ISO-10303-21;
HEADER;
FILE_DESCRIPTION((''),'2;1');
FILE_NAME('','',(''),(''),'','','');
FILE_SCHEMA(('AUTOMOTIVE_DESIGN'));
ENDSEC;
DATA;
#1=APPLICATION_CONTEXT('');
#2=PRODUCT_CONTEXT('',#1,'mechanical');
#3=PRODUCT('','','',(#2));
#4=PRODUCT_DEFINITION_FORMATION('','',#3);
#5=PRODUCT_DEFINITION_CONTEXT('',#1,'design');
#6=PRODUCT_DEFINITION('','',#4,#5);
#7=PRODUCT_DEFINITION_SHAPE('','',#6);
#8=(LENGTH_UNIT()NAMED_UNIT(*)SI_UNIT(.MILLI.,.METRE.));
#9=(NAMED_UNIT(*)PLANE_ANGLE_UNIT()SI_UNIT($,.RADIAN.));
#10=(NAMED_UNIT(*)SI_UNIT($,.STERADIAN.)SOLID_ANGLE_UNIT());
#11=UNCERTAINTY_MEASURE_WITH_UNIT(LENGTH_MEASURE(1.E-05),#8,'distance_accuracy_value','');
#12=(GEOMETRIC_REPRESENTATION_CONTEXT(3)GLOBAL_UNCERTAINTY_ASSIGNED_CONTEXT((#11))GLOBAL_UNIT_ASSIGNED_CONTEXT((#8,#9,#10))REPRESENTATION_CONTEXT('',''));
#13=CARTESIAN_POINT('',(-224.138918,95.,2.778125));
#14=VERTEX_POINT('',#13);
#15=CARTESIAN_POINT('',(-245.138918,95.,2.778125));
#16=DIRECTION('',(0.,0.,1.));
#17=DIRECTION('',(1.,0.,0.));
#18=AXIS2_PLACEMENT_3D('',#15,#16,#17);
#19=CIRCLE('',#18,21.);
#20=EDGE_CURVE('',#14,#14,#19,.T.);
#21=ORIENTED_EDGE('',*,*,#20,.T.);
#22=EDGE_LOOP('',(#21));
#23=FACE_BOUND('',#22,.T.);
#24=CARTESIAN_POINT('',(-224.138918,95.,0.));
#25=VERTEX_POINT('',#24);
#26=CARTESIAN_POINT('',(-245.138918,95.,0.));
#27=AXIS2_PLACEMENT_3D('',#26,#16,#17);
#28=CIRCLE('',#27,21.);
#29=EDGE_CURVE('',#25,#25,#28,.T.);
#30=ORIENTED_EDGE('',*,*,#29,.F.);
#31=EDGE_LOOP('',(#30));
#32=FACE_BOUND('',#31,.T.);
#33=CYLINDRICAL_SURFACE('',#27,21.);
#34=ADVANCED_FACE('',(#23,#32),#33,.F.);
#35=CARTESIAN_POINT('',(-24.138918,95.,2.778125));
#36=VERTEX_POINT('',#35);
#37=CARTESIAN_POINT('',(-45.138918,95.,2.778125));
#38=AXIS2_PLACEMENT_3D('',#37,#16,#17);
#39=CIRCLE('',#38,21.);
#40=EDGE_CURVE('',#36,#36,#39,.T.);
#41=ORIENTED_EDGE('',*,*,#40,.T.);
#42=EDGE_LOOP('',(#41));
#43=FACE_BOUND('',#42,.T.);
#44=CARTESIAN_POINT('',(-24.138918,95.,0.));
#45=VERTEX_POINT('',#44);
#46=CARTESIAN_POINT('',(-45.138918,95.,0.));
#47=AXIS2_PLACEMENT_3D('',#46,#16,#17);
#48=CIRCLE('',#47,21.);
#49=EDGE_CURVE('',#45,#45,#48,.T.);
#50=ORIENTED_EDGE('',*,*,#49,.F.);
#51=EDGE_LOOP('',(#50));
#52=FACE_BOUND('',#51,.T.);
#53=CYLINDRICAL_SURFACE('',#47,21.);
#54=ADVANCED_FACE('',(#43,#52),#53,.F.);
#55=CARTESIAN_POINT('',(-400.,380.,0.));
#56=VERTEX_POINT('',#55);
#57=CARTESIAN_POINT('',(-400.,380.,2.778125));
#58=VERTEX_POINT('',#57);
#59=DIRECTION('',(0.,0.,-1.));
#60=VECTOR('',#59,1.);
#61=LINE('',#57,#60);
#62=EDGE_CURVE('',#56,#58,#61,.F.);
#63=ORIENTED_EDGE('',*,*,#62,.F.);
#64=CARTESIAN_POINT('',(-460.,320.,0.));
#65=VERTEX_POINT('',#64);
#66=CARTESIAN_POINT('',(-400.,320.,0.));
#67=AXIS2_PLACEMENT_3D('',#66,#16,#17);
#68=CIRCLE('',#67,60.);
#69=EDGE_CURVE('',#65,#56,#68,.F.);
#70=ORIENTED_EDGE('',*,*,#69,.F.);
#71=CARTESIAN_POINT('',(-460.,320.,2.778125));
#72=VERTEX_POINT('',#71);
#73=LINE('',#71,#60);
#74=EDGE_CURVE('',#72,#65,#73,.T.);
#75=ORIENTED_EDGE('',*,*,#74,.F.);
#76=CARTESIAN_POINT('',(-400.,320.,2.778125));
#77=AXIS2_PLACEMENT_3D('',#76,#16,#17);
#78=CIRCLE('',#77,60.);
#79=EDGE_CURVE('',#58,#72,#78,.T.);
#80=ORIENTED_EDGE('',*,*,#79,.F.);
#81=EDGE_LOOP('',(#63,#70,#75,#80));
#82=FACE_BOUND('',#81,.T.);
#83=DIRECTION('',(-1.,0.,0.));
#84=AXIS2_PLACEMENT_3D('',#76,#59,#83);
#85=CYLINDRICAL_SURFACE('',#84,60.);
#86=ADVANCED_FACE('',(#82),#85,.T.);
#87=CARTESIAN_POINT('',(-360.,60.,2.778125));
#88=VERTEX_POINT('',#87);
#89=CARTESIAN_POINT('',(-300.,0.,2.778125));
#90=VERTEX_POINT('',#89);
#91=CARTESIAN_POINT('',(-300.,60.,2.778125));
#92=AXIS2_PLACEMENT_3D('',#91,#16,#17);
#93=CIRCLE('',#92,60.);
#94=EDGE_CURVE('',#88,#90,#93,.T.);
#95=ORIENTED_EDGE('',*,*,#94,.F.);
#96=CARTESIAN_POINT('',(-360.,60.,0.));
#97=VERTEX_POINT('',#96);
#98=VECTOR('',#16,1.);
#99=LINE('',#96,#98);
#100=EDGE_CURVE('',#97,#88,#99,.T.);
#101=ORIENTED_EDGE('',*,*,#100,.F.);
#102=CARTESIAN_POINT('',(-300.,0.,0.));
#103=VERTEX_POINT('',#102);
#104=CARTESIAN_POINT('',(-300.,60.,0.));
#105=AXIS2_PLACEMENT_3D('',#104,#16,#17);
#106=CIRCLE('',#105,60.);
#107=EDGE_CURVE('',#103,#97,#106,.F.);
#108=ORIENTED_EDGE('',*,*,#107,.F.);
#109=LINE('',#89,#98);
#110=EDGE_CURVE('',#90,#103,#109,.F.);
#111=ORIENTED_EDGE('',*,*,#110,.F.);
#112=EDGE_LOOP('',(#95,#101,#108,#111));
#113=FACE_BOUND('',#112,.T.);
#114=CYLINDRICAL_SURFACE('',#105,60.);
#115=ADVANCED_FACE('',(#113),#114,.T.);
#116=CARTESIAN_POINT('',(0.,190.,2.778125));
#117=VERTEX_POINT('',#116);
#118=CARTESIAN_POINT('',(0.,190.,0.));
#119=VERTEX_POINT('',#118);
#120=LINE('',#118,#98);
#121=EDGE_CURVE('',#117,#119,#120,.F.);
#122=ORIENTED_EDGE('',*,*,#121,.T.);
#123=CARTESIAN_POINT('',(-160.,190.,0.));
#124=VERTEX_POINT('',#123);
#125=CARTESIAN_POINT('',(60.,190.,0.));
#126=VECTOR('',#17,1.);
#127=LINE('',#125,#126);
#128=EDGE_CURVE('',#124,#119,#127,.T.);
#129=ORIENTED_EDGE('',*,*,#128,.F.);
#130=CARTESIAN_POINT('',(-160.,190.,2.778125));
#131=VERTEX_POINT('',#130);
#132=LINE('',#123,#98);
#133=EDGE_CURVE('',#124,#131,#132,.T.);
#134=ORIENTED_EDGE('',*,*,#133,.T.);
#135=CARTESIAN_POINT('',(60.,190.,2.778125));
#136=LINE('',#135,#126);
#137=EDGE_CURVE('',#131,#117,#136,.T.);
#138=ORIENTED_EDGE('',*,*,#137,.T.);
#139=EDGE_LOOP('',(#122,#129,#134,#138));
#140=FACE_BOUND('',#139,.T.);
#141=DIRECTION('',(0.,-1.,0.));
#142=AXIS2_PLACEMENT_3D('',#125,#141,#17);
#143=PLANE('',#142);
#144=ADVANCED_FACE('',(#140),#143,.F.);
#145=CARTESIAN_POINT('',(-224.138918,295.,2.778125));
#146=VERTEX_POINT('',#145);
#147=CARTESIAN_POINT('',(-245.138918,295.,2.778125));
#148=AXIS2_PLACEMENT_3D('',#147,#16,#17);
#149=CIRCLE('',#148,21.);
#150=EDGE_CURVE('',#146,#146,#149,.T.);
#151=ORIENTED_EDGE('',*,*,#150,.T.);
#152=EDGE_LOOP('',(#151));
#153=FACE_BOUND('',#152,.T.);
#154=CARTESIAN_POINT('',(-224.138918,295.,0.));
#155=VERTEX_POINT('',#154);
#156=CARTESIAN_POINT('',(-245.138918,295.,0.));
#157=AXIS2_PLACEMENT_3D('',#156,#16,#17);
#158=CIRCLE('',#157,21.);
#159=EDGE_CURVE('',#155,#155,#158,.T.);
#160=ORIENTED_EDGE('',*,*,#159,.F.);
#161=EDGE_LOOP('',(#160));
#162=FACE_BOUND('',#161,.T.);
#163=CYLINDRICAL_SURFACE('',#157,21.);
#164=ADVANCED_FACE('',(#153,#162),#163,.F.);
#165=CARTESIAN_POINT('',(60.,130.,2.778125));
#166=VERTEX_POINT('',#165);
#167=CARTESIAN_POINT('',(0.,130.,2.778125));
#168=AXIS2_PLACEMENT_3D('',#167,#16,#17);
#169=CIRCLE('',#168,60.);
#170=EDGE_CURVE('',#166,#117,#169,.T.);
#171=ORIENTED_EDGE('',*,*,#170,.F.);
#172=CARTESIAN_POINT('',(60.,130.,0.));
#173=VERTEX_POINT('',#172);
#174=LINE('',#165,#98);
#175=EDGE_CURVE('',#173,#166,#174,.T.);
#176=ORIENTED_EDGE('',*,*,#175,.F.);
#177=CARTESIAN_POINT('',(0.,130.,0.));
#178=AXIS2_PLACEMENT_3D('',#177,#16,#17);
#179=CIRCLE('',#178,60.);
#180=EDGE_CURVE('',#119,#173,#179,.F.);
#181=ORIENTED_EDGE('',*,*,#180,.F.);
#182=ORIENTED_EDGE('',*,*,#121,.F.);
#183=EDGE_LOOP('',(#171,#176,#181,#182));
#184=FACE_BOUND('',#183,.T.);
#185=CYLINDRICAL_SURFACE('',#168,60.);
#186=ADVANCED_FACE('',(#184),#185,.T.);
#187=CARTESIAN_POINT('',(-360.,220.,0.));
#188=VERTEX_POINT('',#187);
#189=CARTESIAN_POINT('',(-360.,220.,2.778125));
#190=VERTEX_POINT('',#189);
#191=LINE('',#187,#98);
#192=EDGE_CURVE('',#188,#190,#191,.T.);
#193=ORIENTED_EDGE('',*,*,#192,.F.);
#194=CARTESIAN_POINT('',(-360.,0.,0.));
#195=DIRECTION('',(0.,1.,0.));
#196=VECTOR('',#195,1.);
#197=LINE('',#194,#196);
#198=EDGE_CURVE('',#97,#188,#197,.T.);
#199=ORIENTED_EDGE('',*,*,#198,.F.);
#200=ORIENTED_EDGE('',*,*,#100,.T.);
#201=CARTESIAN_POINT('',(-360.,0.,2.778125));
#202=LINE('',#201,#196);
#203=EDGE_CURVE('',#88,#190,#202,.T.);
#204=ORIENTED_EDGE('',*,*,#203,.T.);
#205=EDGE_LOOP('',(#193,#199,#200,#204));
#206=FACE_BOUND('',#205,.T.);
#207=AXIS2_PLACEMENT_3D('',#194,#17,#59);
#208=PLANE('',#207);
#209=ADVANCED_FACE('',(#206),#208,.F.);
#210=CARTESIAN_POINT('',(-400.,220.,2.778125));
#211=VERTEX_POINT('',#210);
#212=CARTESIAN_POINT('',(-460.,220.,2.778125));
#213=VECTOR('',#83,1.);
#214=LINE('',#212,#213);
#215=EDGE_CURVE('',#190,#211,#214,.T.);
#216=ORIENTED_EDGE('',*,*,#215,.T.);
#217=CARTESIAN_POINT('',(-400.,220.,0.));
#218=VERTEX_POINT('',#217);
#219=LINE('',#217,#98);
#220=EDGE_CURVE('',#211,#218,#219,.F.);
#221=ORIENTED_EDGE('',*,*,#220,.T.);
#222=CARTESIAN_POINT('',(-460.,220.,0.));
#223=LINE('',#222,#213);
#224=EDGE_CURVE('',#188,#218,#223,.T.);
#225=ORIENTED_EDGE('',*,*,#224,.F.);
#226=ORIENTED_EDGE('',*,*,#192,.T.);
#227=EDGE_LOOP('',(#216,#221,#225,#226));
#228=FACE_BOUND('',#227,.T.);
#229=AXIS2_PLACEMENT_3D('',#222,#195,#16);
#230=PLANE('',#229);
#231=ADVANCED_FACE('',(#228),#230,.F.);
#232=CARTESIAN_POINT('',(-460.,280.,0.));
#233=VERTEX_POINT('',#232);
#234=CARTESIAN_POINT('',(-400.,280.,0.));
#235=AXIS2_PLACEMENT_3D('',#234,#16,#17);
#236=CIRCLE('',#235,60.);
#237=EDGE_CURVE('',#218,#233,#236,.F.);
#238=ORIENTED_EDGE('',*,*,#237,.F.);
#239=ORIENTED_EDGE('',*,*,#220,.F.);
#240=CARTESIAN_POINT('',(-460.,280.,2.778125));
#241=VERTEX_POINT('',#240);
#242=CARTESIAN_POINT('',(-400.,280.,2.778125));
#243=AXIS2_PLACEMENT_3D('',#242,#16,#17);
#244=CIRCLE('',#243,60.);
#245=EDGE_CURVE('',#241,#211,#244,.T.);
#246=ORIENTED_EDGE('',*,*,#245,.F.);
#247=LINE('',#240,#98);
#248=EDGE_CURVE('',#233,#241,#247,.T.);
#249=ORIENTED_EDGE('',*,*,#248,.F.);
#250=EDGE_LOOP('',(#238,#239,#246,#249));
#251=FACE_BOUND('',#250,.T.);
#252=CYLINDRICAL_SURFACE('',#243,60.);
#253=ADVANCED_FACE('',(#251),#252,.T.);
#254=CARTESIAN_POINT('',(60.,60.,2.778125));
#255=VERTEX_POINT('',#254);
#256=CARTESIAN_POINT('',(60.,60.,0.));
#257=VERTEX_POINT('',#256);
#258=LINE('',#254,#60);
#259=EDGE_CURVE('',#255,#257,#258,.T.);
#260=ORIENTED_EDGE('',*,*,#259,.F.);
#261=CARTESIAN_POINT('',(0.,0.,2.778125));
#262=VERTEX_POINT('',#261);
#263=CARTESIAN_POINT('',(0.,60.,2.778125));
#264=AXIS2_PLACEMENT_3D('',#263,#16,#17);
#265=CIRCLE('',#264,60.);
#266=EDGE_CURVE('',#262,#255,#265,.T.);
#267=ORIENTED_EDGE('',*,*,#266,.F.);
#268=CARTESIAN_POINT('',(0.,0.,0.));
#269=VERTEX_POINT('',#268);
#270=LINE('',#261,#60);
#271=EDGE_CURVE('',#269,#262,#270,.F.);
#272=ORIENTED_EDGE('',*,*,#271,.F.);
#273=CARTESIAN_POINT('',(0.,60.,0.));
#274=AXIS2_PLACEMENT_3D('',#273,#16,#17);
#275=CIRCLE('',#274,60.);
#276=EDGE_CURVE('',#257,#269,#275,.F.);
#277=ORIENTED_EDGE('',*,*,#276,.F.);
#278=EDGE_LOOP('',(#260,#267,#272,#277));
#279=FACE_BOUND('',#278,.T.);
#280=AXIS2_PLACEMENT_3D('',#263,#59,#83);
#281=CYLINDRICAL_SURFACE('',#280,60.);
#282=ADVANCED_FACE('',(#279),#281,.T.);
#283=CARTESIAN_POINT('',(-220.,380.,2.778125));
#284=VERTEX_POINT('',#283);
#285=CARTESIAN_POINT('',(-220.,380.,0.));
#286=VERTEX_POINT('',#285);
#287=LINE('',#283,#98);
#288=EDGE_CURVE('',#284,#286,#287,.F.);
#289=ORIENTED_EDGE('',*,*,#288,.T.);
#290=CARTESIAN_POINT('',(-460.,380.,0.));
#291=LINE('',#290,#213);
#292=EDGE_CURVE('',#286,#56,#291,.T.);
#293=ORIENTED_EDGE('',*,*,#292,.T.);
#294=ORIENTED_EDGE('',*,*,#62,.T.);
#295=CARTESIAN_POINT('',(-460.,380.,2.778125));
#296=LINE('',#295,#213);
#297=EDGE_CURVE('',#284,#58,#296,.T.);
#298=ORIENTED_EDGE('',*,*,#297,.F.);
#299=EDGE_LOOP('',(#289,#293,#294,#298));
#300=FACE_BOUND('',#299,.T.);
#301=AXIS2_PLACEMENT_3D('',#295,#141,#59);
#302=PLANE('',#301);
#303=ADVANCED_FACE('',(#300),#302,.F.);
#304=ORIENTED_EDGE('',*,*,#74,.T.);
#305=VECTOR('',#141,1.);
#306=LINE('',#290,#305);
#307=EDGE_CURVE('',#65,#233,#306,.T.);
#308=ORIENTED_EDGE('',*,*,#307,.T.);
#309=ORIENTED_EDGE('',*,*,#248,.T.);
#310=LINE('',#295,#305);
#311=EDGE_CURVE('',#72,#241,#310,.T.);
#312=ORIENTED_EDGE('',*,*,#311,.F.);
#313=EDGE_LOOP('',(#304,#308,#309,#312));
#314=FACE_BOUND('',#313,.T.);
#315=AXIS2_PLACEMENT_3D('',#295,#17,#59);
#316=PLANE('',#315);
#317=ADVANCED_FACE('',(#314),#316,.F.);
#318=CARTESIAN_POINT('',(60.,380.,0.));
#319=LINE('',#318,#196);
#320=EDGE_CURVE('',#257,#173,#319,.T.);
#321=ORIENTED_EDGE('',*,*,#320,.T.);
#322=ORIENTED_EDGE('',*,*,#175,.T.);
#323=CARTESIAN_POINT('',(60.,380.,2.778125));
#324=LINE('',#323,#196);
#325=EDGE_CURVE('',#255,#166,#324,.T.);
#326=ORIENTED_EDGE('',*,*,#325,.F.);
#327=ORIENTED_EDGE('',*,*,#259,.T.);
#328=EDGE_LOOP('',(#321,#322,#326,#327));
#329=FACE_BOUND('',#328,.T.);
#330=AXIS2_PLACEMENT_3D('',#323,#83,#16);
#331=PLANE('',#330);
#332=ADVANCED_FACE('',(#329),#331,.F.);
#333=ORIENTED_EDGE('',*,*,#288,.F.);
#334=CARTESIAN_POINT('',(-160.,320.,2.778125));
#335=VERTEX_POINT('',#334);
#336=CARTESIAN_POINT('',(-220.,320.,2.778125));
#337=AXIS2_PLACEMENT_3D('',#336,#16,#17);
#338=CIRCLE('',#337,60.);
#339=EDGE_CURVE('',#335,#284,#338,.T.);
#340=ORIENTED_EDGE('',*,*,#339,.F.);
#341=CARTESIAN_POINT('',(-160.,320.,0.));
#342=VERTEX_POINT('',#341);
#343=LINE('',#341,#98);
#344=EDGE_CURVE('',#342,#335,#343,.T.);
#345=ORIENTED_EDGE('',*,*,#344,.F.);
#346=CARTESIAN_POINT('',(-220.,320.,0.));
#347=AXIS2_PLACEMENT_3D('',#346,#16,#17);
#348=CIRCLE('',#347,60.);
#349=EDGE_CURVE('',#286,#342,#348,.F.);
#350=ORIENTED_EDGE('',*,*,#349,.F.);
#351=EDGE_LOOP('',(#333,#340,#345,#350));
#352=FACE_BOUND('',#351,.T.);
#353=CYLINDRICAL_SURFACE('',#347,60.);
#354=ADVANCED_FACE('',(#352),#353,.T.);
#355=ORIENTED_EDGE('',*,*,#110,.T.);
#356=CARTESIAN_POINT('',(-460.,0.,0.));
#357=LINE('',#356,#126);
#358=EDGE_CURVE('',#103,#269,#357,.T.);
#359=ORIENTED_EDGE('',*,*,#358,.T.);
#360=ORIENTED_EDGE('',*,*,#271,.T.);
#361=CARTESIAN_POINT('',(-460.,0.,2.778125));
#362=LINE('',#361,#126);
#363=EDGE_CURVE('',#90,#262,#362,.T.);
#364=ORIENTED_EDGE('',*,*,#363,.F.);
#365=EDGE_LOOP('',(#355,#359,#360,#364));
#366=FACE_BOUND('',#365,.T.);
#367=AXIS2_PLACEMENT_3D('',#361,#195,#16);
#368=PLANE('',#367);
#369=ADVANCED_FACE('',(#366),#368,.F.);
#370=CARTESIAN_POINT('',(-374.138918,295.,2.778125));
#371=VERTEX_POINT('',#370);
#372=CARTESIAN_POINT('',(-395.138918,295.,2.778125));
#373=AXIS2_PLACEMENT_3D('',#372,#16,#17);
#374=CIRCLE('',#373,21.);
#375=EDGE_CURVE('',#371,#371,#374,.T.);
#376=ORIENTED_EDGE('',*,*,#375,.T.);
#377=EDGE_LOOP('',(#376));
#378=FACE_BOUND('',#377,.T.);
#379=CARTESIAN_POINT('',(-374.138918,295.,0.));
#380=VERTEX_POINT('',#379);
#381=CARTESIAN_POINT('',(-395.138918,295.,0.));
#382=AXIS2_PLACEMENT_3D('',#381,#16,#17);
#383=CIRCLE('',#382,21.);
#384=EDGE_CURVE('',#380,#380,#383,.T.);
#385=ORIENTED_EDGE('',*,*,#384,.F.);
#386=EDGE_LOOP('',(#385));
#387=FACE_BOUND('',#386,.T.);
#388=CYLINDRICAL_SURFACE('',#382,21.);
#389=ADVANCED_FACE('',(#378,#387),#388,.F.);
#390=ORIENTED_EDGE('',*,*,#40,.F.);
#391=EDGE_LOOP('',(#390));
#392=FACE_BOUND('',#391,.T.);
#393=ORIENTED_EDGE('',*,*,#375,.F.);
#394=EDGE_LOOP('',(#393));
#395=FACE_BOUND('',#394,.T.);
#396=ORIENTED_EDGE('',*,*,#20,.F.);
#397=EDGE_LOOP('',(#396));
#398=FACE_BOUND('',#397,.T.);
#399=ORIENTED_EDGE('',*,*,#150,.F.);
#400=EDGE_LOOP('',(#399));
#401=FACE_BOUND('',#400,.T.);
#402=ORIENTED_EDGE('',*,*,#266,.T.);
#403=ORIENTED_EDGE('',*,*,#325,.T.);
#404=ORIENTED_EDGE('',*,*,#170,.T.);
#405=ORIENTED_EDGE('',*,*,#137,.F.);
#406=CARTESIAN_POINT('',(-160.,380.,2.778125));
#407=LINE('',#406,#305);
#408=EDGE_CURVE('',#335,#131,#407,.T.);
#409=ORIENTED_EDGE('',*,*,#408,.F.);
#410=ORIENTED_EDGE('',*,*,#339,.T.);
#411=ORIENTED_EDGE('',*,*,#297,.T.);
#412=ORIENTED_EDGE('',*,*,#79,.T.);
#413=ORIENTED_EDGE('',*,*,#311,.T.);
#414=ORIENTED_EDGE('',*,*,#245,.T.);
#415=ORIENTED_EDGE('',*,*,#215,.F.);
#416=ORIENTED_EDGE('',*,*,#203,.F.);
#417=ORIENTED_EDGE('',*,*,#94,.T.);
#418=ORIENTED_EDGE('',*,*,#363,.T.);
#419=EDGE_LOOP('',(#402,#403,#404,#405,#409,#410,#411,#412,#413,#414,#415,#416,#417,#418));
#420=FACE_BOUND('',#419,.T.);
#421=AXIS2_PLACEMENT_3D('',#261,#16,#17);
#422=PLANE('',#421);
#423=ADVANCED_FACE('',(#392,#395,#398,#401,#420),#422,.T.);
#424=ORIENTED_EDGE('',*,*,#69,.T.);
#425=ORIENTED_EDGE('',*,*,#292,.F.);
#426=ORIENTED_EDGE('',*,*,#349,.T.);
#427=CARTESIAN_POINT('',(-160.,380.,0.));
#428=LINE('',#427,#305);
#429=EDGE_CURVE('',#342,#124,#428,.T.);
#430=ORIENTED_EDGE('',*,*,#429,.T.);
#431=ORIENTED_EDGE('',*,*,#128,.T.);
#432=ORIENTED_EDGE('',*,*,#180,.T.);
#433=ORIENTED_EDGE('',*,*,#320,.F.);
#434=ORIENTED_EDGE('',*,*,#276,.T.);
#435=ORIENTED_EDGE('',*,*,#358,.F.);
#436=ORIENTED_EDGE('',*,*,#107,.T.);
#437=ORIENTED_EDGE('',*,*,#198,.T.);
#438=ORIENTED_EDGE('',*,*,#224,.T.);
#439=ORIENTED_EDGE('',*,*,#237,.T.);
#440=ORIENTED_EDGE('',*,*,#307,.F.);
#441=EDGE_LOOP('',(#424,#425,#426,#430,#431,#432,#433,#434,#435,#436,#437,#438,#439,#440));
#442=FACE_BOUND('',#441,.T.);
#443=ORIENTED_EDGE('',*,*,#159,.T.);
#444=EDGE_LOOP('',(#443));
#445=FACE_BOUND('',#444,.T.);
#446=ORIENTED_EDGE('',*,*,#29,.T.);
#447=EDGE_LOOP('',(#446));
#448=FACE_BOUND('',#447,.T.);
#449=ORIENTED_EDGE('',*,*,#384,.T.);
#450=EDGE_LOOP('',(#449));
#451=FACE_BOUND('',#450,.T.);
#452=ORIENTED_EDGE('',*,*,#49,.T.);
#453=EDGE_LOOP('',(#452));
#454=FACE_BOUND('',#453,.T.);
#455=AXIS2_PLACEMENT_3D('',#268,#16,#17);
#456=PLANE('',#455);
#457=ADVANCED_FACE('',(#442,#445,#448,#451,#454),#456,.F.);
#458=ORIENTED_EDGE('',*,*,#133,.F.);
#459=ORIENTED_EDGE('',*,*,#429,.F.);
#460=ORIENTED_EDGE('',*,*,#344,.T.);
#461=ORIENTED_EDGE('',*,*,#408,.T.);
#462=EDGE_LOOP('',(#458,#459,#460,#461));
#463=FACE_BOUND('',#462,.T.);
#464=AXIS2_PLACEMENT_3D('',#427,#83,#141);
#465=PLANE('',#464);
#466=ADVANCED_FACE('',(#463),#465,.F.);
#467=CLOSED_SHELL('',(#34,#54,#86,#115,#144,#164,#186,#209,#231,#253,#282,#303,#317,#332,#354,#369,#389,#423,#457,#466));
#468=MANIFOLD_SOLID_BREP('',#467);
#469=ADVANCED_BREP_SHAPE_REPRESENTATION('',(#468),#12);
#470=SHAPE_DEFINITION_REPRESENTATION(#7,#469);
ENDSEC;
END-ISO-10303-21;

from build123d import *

# Parameters (mm, degrees)
SKETCH1_W           = 520
SKETCH1_H           = 380
BOSS_EXTRUDE1_DEPTH = 2.778125
SKETCH2_W           = 220
SKETCH2_H           = 190
CUT_EXTRUDE1_DEPTH  = 2.778125
SKETCH3_W           = 100
SKETCH3_H           = 220
CUT_EXTRUDE2_DEPTH  = 2.778125
FILLET2_R           = 60
FILLET3_R           = 60
SKETCH4_R           = 21
CUT_EXTRUDE3_DEPTH  = 2.778125


with BuildPart() as part:
    # Sketch1 → Boss-Extrude1 (new body)
    with BuildSketch(Plane.XY):
        with Locations((-200, 190)):
            Rectangle(SKETCH1_W, SKETCH1_H)
    extrude(amount=BOSS_EXTRUDE1_DEPTH)

    # Sketch2 → Cut-Extrude1 (cut)
    with BuildSketch(Plane.XY.offset(2.778125)):
        with Locations((-50, 285)):
            Rectangle(SKETCH2_W, SKETCH2_H)
    extrude(amount=-CUT_EXTRUDE1_DEPTH, mode=Mode.SUBTRACT)

    # Sketch3 → Cut-Extrude2 (cut)
    with BuildSketch(Plane.XY.offset(2.778125)):
        with Locations((-410, 110)):
            Rectangle(SKETCH3_W, SKETCH3_H)
    extrude(amount=-CUT_EXTRUDE2_DEPTH, mode=Mode.SUBTRACT)

    # Fillet2
    fillet2_edges = [part.edges().sort_by_distance(p)[0] for p in [
        (-460, 220, 1.3890625),
        (-460, 380, 1.3890625),
    ]]
    fillet(fillet2_edges, radius=FILLET2_R)

    # Fillet3
    fillet3_edges = [part.edges().sort_by_distance(p)[0] for p in [
        (60, 190, 1.3890625),
        (-160, 380, 1.3890625),
        (-360, 0, 1.3890625),
        (60, 0, 1.3890625),
    ]]
    fillet(fillet3_edges, radius=FILLET3_R)

    # Sketch4 → Cut-Extrude3 (cut)
    with BuildSketch(Plane.XY.offset(2.778125)):
        with Locations((-395.138918322, 295)):
            Circle(SKETCH4_R)
        with Locations((-245.138918322, 295)):
            Circle(SKETCH4_R)
        with Locations((-245.138918322, 95)):
            Circle(SKETCH4_R)
        with Locations((-45.138918322, 95)):
            Circle(SKETCH4_R)
    extrude(amount=-CUT_EXTRUDE3_DEPTH, mode=Mode.SUBTRACT)


solid = part.part
